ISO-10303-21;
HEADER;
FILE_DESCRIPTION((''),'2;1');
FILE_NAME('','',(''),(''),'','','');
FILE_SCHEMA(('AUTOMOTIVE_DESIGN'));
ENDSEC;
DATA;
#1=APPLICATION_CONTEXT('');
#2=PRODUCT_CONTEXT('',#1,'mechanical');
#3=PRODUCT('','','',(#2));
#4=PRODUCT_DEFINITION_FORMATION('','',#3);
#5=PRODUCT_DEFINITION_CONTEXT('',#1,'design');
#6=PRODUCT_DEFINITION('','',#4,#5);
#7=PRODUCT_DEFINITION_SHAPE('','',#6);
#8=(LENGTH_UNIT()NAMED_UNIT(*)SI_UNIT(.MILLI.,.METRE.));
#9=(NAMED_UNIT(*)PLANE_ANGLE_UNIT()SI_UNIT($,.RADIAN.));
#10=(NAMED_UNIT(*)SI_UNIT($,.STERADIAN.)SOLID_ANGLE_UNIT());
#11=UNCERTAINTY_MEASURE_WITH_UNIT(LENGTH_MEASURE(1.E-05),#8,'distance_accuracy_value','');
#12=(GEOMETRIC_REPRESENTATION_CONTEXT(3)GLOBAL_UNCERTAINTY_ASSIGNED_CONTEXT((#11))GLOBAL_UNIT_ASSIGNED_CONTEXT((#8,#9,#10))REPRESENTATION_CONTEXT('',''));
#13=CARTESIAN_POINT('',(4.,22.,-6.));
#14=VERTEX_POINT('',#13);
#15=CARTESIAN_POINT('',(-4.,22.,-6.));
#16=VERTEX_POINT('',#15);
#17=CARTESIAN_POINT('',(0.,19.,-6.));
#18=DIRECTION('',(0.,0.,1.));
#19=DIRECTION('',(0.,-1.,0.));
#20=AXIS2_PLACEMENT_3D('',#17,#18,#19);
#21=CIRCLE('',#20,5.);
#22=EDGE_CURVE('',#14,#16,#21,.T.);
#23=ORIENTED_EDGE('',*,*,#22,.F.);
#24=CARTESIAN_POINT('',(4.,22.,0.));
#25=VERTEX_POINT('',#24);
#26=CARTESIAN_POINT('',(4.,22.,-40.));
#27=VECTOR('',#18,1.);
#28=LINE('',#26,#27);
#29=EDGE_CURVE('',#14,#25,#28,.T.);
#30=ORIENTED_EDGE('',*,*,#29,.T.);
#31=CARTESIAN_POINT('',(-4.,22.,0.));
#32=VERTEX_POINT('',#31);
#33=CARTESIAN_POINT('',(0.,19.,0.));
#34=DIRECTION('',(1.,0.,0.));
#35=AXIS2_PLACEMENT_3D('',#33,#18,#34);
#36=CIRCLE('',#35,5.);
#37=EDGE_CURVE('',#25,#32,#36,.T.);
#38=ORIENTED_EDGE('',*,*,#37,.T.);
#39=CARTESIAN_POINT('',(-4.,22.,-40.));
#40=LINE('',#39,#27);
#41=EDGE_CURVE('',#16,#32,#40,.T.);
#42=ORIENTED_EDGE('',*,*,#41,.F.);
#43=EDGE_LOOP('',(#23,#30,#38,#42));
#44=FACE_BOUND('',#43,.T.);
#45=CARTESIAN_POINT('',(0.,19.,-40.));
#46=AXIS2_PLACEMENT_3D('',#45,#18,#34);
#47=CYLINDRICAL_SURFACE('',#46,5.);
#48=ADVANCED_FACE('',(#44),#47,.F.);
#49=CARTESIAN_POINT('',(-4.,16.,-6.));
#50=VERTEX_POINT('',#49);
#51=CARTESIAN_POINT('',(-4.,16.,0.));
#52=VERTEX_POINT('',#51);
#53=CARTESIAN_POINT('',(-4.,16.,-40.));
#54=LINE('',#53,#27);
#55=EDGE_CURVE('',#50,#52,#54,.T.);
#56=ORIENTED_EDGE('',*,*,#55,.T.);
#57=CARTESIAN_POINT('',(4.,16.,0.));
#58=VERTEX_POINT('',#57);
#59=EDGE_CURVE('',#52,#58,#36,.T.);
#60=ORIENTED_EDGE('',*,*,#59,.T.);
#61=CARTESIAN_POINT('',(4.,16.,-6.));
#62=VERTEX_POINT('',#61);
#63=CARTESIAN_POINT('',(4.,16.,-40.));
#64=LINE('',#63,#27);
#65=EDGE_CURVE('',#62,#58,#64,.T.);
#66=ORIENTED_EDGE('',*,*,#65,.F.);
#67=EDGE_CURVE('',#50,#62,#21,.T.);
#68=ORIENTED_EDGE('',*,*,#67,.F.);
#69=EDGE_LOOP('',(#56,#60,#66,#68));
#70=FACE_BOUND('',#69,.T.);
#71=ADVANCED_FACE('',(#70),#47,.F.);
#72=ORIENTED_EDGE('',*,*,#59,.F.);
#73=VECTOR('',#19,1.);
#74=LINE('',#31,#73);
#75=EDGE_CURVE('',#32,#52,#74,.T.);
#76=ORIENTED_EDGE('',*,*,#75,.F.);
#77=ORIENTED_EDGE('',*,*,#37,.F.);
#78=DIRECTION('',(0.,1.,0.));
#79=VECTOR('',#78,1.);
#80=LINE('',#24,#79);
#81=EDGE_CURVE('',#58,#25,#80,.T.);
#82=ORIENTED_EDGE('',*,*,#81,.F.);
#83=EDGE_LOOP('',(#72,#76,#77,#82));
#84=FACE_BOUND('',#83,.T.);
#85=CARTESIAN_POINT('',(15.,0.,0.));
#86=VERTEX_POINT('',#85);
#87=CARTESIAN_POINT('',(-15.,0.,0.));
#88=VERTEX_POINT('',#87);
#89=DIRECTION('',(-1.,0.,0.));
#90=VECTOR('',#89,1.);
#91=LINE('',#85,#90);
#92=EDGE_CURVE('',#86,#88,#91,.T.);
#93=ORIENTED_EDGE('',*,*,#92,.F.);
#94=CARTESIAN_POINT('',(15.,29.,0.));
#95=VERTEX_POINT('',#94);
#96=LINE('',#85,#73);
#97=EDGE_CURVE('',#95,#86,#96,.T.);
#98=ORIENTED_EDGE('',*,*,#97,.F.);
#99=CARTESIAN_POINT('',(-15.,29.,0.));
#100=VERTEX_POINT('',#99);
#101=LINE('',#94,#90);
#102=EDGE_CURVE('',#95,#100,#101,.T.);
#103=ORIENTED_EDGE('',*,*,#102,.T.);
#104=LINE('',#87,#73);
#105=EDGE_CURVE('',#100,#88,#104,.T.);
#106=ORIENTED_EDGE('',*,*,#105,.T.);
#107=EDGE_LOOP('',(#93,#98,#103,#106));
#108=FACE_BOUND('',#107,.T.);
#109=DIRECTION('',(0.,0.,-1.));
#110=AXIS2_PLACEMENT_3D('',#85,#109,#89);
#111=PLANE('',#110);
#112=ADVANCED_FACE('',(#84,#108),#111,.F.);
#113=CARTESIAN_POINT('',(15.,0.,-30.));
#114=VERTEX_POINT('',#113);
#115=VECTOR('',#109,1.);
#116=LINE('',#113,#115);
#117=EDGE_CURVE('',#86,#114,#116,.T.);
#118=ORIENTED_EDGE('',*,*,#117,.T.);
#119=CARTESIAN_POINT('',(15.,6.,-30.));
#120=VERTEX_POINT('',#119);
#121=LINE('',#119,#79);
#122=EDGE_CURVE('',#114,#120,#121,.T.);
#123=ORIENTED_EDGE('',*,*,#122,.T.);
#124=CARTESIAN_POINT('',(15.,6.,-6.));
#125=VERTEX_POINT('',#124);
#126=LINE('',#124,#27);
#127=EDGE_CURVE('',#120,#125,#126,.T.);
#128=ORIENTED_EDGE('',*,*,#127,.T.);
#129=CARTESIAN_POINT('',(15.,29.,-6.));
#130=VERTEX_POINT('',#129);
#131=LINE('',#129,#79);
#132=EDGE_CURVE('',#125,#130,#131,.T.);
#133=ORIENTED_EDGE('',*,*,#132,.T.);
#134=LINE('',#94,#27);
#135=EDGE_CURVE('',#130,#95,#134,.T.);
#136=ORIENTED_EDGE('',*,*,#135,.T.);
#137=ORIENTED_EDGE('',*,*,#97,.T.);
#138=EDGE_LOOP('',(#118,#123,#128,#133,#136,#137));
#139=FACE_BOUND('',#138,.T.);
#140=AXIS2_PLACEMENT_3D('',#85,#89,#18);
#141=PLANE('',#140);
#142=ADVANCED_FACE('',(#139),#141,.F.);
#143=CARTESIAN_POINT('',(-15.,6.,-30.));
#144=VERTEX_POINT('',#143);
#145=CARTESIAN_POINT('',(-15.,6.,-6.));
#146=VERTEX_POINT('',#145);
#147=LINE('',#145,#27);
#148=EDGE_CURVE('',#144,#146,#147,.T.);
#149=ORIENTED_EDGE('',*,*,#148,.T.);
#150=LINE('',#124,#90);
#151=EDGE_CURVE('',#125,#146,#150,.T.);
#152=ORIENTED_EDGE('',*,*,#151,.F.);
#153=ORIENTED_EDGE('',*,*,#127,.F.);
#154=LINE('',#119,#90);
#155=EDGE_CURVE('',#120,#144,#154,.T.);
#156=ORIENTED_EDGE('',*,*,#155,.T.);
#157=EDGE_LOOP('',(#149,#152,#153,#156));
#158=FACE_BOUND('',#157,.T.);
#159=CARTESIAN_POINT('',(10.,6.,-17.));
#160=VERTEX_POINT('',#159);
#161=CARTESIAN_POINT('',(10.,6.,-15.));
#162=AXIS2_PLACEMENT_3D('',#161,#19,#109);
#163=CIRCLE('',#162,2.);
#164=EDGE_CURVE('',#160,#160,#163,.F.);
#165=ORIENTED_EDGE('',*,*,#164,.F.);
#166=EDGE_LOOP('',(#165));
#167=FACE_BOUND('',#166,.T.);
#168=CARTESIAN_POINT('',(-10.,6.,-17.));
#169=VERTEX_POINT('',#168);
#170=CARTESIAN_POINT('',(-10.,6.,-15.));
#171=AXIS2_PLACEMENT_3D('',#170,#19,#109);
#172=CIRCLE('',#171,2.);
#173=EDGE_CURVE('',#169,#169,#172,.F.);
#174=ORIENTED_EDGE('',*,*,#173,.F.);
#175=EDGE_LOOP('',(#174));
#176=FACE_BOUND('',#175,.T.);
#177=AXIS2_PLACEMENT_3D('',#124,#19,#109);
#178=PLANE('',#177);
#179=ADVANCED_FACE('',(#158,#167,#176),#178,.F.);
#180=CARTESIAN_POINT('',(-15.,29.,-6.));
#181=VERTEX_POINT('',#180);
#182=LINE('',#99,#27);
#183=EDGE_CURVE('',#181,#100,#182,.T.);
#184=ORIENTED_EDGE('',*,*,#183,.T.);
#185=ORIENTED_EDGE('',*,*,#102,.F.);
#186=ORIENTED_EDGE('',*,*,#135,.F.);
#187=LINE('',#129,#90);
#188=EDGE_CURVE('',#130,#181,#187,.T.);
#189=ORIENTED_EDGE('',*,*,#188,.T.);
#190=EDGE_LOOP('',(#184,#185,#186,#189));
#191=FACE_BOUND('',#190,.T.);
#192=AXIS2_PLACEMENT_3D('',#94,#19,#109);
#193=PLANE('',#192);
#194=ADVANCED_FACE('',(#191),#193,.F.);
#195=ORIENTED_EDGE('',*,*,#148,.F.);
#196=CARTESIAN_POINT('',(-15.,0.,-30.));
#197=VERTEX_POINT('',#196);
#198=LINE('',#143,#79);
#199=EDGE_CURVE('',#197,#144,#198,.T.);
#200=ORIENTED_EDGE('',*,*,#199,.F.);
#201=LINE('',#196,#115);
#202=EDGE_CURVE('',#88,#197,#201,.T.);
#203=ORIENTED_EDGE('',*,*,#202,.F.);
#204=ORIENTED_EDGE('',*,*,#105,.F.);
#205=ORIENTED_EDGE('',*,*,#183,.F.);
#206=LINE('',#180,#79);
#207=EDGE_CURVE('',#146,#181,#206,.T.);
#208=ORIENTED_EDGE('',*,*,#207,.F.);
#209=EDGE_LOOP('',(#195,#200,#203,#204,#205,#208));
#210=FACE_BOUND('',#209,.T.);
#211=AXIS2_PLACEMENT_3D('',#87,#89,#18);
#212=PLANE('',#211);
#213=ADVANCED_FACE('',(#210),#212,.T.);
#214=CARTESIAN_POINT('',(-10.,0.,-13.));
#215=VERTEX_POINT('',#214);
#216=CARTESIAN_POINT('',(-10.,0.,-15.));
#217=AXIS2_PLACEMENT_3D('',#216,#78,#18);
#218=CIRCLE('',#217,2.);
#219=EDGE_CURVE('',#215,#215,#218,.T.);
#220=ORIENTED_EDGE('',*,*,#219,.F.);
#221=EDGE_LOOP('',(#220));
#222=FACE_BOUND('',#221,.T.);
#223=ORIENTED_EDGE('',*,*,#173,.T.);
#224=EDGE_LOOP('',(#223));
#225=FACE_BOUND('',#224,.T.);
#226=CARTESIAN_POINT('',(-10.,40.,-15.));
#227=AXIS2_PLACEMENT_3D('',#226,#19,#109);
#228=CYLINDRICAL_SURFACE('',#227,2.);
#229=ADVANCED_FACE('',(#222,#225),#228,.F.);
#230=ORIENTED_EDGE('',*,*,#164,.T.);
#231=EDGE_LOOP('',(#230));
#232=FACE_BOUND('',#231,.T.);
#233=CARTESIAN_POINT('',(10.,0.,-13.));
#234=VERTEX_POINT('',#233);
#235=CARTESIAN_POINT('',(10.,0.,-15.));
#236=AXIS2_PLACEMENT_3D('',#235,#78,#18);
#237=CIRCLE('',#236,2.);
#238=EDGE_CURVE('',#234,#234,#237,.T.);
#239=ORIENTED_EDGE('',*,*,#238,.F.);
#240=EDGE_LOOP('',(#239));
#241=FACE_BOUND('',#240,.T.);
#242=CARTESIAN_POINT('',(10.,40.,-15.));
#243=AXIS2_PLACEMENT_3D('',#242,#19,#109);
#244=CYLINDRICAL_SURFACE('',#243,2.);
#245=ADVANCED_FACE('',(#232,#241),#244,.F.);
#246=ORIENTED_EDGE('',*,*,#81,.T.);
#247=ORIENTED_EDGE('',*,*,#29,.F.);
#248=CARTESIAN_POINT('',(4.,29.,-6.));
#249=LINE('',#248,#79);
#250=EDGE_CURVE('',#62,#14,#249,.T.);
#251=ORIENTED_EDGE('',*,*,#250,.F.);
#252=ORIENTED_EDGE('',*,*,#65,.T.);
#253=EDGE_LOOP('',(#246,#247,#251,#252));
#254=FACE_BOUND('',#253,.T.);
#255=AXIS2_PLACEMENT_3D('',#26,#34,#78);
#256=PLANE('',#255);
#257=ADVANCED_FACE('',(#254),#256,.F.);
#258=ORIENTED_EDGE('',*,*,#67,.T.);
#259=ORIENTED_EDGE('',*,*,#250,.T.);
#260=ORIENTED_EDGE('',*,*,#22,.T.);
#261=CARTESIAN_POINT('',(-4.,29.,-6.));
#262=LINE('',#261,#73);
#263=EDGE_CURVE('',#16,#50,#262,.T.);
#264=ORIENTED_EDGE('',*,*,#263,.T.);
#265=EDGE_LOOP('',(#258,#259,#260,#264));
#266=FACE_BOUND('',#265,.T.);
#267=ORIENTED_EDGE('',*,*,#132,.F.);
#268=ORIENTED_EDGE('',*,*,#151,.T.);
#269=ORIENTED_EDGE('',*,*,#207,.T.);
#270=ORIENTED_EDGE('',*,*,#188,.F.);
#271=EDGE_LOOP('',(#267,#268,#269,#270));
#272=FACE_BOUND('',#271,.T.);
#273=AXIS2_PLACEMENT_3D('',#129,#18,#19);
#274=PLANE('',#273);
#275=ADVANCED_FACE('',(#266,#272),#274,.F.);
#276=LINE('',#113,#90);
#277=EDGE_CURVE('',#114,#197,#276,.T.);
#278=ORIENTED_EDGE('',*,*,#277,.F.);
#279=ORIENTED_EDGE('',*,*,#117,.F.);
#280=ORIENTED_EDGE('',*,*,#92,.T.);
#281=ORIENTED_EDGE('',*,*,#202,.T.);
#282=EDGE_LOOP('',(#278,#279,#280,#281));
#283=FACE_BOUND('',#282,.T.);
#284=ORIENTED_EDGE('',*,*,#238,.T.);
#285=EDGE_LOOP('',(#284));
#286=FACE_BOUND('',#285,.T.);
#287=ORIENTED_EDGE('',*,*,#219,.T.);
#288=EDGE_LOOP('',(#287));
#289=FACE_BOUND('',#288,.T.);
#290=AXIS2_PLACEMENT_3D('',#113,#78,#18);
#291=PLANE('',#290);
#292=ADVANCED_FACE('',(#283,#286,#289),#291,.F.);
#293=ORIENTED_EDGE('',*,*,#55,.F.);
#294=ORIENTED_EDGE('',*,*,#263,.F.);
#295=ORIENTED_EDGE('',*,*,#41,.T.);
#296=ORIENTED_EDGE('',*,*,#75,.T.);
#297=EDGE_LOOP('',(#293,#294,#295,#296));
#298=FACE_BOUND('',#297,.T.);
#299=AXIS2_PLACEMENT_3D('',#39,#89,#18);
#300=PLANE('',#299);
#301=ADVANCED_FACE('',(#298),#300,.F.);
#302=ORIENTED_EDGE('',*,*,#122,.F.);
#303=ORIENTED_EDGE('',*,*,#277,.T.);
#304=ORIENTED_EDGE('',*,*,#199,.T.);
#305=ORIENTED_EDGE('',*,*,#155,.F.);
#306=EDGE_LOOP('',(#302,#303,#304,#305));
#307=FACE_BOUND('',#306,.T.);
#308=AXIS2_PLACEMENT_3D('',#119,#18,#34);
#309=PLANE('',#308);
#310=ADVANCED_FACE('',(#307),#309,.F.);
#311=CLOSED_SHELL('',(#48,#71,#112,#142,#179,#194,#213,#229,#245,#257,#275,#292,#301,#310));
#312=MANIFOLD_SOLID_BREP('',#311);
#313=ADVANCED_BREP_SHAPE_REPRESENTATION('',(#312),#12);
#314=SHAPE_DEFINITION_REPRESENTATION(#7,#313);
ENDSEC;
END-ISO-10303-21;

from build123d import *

# Parameters (mm, degrees)
EXTRUDE_1_DEPTH     = 15
SKETCH_2_R          = 2
CUT_EXTRUDE_1_DEPTH = 40
CUT_EXTRUDE_2_DEPTH = 40


with BuildPart() as part:
    # 草图1 → 凸台-拉伸1 (new, symmetric)
    with BuildSketch(Plane(origin=(0, 0, 0), x_dir=(0, 0, -1), z_dir=(1, 0, 0))):
        Polygon((0, 0), (0, 29), (6, 29), (6, 6), (30, 6), (30, 0), align=None)
    extrude(amount=EXTRUDE_1_DEPTH, both=True)

    # 草图2 → 切除-拉伸1 (cut)
    with BuildSketch(Plane(origin=(0, 0, 0), x_dir=(1, 0, 0), z_dir=(0, 1, 0))):
        with Locations(Location((-10, 15, 0), (0, 0, 90))):
            Circle(SKETCH_2_R)
        with Locations(Location((10, 15, 0), (0, 0, 90))):
            Circle(SKETCH_2_R)
    extrude(amount=CUT_EXTRUDE_1_DEPTH, mode=Mode.SUBTRACT)

    # 草图3 → 切除-拉伸2 (cut)
    with BuildSketch(Plane.XY):
        with BuildLine():
            Line((-4, 22), (-4, 16))
            ThreePointArc((-4, 16), (0, 14), (4, 16))
            Line((4, 16), (4, 22))
            ThreePointArc((4, 22), (0, 24), (-4, 22))
        make_face()
    extrude(amount=-CUT_EXTRUDE_2_DEPTH, mode=Mode.SUBTRACT)


solid = part.part
